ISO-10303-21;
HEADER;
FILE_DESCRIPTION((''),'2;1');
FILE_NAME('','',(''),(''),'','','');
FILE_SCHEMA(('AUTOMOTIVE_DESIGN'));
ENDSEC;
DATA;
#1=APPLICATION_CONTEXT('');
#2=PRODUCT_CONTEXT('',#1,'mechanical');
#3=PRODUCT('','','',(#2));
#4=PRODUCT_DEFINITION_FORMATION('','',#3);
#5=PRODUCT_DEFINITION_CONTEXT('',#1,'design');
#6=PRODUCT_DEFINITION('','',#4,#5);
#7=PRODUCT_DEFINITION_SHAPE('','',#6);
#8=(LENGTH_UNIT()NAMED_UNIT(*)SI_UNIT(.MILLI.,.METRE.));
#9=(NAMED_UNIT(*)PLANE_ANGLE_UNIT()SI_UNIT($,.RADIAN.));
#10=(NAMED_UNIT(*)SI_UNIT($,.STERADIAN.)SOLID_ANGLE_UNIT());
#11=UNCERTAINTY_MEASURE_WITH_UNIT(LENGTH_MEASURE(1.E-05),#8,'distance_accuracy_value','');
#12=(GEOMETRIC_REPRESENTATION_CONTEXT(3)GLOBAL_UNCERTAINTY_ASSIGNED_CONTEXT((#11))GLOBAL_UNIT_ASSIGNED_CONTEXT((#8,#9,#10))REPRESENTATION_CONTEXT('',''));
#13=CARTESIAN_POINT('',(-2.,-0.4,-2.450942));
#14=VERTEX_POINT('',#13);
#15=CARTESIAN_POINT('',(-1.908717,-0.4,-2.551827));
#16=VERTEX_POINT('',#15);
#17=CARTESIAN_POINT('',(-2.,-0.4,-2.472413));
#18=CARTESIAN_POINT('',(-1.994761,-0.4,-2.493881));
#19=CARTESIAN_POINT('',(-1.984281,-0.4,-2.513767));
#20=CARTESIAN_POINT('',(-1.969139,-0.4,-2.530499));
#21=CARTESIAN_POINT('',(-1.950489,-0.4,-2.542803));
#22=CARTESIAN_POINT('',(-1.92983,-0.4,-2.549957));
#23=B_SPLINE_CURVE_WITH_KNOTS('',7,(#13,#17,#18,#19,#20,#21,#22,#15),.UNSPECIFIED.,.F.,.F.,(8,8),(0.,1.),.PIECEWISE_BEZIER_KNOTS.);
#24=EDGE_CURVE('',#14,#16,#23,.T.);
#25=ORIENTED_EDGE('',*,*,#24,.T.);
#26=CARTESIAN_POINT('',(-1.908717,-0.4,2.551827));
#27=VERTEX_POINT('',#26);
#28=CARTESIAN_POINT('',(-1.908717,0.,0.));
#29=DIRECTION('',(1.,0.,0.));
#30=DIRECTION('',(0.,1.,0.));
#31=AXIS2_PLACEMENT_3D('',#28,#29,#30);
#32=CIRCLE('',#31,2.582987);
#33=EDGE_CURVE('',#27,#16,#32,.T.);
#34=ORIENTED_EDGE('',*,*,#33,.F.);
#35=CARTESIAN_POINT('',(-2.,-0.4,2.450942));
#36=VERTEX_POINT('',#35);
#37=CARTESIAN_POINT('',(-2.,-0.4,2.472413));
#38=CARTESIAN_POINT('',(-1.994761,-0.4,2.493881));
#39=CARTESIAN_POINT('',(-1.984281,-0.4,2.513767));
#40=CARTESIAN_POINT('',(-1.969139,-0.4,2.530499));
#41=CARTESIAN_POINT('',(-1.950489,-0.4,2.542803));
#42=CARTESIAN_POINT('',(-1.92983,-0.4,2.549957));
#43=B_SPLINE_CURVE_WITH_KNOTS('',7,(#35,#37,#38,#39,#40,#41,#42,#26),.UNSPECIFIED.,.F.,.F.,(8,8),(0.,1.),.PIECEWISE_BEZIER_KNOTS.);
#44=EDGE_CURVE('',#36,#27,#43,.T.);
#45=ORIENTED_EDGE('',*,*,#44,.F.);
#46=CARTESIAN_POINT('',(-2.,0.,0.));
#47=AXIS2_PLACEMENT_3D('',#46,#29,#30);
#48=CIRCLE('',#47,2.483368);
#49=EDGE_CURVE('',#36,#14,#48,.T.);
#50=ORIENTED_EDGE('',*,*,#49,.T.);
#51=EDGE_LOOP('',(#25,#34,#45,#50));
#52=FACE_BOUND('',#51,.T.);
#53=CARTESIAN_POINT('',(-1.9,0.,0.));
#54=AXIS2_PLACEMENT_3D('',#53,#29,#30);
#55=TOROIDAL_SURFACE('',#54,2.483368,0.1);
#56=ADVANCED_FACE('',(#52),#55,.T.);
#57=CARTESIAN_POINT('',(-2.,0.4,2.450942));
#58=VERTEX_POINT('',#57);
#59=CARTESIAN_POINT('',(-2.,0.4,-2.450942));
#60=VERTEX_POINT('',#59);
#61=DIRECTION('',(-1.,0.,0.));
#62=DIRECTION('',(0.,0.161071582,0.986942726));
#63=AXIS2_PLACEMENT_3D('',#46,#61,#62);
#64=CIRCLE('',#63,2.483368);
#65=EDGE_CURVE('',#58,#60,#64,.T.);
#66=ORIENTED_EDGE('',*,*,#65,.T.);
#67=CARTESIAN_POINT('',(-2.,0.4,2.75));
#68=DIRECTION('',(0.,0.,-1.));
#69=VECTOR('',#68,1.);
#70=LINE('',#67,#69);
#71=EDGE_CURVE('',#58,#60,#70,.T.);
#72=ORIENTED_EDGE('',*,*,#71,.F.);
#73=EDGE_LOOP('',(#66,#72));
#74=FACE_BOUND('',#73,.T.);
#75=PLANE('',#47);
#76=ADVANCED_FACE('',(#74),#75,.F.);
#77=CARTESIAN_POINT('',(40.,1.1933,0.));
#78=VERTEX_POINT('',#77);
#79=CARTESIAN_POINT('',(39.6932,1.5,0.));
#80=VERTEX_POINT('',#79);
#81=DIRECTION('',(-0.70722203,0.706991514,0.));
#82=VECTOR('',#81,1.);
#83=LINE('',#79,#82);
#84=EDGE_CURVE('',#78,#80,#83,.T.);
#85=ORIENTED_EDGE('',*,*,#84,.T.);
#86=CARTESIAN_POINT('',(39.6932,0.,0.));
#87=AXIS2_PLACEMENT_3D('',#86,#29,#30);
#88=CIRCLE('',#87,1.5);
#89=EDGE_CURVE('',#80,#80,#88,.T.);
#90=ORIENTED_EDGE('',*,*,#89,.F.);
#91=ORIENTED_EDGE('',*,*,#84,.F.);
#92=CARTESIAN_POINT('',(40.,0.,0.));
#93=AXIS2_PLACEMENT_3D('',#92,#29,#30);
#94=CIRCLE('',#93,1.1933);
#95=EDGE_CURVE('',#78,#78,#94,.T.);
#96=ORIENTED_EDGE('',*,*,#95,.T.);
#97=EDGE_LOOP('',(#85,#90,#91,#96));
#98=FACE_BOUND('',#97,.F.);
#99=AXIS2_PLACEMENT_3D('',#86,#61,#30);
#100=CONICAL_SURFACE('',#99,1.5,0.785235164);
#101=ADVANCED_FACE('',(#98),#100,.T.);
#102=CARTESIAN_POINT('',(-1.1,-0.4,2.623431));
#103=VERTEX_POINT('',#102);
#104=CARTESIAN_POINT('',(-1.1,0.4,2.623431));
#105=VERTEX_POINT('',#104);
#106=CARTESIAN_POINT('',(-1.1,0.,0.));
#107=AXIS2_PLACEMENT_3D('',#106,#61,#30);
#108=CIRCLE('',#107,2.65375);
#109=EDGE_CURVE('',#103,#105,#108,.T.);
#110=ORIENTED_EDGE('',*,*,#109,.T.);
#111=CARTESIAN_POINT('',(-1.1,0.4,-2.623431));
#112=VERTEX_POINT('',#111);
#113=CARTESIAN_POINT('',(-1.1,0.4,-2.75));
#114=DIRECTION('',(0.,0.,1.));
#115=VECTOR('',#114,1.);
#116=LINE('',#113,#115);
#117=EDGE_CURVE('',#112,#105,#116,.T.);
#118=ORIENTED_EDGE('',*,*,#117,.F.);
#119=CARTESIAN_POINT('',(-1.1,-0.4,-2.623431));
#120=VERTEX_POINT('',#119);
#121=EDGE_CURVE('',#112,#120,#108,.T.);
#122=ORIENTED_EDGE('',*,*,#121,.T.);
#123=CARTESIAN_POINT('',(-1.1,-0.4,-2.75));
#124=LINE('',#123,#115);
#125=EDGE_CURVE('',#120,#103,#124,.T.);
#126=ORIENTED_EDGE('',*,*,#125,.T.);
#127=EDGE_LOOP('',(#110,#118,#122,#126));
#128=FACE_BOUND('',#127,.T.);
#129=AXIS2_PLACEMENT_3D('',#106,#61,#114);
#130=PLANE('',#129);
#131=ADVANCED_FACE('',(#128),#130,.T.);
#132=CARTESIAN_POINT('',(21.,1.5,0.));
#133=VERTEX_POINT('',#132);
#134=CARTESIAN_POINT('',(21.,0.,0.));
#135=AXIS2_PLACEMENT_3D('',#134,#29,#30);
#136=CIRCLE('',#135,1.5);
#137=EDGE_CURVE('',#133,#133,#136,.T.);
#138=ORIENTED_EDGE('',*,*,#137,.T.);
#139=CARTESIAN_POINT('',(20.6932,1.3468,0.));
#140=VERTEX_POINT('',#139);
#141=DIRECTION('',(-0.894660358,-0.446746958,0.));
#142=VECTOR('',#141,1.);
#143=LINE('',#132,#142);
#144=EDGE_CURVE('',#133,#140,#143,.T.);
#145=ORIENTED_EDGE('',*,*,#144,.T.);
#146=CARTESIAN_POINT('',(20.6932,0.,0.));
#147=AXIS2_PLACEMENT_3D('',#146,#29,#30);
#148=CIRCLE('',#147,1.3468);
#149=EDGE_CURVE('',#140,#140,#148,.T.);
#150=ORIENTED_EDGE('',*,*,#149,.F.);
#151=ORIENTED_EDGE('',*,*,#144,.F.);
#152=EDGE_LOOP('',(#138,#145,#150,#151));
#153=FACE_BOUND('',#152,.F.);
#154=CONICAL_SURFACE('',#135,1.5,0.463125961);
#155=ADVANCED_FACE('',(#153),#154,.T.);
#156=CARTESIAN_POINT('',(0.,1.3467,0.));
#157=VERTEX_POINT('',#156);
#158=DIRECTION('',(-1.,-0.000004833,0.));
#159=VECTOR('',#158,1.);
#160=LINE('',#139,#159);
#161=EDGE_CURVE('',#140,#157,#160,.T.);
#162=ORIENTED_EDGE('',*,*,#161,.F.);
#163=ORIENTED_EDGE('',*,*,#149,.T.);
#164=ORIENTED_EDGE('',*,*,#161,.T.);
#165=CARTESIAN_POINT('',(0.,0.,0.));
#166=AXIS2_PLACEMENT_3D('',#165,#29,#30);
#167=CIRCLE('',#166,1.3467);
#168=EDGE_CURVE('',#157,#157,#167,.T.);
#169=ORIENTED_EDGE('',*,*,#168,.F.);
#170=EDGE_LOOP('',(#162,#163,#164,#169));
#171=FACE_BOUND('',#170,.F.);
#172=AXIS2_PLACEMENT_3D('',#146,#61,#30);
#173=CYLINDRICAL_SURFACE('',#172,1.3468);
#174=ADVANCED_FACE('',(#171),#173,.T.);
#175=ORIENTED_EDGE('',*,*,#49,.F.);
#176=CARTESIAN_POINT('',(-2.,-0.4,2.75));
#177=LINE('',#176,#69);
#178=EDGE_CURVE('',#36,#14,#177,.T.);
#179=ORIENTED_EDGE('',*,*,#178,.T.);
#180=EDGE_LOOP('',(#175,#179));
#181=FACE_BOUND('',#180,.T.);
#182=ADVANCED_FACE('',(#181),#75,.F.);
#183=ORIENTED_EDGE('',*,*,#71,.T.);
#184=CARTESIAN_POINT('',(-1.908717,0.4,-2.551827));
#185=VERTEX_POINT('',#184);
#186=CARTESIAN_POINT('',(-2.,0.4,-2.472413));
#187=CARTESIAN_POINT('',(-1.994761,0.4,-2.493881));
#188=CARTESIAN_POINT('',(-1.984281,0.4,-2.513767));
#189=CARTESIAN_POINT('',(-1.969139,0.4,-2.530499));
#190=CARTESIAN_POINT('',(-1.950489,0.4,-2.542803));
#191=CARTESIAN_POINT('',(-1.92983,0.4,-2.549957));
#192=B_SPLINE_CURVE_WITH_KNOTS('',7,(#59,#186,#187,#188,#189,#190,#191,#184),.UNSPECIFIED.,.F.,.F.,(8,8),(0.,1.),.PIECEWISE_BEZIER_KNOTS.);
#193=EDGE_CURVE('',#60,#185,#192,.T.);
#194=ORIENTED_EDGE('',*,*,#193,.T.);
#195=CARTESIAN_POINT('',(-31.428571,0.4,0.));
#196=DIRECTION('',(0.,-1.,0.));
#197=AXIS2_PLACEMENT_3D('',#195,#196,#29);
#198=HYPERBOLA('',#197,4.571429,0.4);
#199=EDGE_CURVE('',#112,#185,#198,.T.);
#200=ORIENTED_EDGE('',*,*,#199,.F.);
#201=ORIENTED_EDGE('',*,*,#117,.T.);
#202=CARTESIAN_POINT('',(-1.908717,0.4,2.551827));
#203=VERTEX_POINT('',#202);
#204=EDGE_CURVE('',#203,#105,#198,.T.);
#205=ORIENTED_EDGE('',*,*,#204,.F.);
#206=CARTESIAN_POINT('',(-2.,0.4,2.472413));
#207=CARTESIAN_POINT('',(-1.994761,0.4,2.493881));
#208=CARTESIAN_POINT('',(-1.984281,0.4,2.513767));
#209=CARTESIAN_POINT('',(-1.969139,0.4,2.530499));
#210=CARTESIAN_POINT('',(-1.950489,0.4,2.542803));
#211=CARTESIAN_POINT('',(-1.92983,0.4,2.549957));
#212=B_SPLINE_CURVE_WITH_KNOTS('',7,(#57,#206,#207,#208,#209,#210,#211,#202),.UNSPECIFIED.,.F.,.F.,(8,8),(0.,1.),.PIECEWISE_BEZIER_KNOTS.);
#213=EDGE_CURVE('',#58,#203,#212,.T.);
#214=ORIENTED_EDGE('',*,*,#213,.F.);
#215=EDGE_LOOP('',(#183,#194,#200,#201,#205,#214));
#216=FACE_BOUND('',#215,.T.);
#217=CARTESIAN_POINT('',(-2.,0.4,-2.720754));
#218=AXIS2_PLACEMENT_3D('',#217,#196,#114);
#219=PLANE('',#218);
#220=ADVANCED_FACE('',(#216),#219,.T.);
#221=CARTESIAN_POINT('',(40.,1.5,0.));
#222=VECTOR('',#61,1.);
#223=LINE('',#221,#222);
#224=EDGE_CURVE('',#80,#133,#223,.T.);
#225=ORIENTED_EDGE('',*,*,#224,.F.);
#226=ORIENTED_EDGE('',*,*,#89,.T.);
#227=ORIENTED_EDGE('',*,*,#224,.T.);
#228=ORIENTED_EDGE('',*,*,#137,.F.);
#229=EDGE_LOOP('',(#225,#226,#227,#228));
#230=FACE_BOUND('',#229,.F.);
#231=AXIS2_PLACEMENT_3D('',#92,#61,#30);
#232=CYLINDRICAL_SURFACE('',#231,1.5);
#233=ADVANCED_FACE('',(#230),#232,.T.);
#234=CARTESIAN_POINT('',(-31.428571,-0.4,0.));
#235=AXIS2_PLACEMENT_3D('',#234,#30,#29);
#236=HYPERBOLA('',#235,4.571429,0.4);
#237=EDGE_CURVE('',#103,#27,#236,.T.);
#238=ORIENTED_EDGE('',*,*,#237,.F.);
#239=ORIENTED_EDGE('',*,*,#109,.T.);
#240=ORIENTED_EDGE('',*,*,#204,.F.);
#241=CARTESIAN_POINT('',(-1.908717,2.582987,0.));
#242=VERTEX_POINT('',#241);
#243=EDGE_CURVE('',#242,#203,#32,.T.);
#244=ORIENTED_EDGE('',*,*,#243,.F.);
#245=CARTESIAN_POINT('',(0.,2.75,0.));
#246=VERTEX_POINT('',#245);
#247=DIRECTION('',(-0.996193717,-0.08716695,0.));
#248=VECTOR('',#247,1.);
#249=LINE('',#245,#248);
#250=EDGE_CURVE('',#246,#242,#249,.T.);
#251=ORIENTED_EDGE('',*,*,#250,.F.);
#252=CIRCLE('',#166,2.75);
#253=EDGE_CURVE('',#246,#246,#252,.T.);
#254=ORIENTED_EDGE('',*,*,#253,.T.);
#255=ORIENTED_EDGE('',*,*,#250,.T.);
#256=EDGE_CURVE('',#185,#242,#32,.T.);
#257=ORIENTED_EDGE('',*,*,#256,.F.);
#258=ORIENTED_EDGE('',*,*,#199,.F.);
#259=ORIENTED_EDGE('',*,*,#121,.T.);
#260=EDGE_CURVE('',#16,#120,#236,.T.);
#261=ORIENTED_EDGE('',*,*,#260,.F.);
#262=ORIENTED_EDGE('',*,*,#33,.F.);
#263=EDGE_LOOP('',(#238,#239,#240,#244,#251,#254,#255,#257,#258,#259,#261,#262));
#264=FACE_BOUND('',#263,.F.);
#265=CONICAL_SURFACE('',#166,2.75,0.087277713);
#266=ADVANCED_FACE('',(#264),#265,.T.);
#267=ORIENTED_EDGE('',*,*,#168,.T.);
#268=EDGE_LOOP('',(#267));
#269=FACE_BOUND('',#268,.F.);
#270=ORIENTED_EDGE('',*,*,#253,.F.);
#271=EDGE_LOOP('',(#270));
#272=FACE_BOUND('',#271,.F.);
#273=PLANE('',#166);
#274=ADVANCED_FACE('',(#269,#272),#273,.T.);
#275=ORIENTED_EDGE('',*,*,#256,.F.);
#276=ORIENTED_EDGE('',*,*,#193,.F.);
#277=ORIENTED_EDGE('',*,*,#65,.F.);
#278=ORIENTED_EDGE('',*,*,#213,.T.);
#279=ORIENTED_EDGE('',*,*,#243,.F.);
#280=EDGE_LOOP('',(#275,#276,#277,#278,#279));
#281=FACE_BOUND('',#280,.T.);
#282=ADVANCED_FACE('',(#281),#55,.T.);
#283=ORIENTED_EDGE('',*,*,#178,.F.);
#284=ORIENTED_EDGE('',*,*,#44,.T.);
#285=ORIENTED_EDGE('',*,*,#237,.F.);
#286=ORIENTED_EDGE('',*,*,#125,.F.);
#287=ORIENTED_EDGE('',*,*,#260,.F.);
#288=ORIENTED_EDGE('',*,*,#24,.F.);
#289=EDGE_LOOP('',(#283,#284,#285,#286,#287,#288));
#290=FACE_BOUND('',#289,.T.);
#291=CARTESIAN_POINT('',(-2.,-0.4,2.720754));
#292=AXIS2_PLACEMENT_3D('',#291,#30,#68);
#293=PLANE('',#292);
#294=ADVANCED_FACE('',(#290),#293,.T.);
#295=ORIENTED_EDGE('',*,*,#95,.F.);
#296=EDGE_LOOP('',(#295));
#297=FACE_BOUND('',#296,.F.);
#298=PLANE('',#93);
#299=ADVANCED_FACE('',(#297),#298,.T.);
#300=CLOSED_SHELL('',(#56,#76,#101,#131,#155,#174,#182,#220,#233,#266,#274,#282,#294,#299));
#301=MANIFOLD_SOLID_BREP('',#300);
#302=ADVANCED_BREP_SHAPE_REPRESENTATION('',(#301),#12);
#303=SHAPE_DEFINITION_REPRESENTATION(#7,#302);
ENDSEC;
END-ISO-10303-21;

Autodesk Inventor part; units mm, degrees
ref_plane "YZ Plane" through (0, 0, 0) normal (1, 0, 0) x (0, 1, 0)
ref_plane "XZ Plane" through (0, 0, 0) normal (0, 1, 0) x (-1, 0, 0)
sketch "Esquisse1" plane through (0, 0, 0) normal (0, 0, 1) x (1, 0, 0)
  line L0 (-2, 0) -> (40, 0)
  line L1 (40, 0) -> (40, 1.5)
  line L2 (40, 1.5) -> (21, 1.5)
  line L3 (21, 1.5) -> (20.6932, 1.3468)
  line L4 (20.6932, 1.3468) -> (0, 1.3467)
  line L5 (0, 1.3467) -> (0, 2.75)
  line L6 (-10.4, 0) -> (48.4, 0) projected
  line L7 (0, -0.55) -> (0, 3.3) projected
  line L8 (-2, 0) -> (-2, 2.575)
  line L9 (0, 2.75) -> (-2, 2.575)
  line L10 (21, 1.5) -> (0, 1.5) construction
  dimension "d0" = 40
  dimension "d1" = 19
  dimension "d2" = 0.3068
  dimension "d3" = 2
  dimension "d4" = 3
  dimension "d5" = 2.6935
  dimension "d9" = 5.5
  dimension "d10" = 5
revolve "Corps" add sketch "Esquisse1" angle 360 about axis through (-2, 0, 0) along (1, 0, 0)
sketch "Esquisse2" plane through (-2, 0, 0) normal (-1, 0, 0) x (0, 0, 1)
  circle A0 centre (0, 0) radius 2.75 projected
  line L0 (0, 0) -> (0, 2.575) projected
  line L1 (-2.75, 0.4) -> (2.75, 0.4)
  line L2 (2.75, 0.4) -> (2.75, -0.4)
  line L3 (2.75, -0.4) -> (-2.75, -0.4)
  line L4 (-2.75, -0.4) -> (-2.75, 0.4)
  line L5 (-2.75, 0) -> (2.75, 0) construction
  line L6 (0, 0.4) -> (0, -0.4) construction
  dimension "d11" = 0.8
  dimension "d12" = 5.5
fillet "Congé1" radius 0.1 1 edges at (-2, -2.575, 0)
extrude "Rainure" cut sketch "Esquisse2" against normal blind 0.9 contours A0 L3 L1 | L2 L3 A0 | A0 L1 L2 | A0 L4 L1 | L3 L4 A0
thread "Filetage" size "M3x0.5" class "6g" standard "ISO Metric profile" length 19
chamfer "Chanfrein1" distance 0.3067 distance2 0.3068 1 edges at (40, -1.5, 0) measured on face at (40, 0.1505, 0.4164)
ref_plane "Work Plane1" through (30.1625, 0, 0) normal (0, 0, -1) x (1, 0, 0)
equation "\"d11\" = SBR"
equation "\"d12\" = KOD"
equation "\"d14\" = RR"
equation "\"d19\" = STI"
equation "\"d15\" = GEL"
equation "\"d17\" = -0.5 * SPD + 0.5 * GD"
equation "\"d0\" = NLG"
equation "\"d1\" = GEL"
equation "\"d3\" = KOH"
equation "\"d4\" = GD"
equation "\"d5\" = BDM"
equation "\"d9\" = KOD"
equation "\"d10\" = KEWI"
equation "\"GD\" = NND"
equation "\"NLG\" = 40"
equation "\"GEL\" = 19"
equation "\"KOD\" = 5.5"
equation "\"KOH\" = 2"
equation "\"GAL\" = 0.61345 * PTC"
equation "\"SPD\" = NND - 1.2269 * PTC"
equation "\"BDM\" = 2.6935"
equation "\"GUL\" = 0.61345 * PTC"
equation "\"RR\" = 0.1"
equation "\"SBR\" = 0.8"
equation "\"STI\" = 0.9"
equation "\"KEWI\" = 5deg"
equation "\"PTC\" = 0.5"
equation "\"THREADDIA\" = 3"
equation "\"TOA\" = 30deg"
equation "\"NND\" = 3"
equation "\"GD1\" = THREADDIA - 1.2269 * PTC"
properties part number "CNS 4355 - M 3 x 40" material "Acier, doux"
